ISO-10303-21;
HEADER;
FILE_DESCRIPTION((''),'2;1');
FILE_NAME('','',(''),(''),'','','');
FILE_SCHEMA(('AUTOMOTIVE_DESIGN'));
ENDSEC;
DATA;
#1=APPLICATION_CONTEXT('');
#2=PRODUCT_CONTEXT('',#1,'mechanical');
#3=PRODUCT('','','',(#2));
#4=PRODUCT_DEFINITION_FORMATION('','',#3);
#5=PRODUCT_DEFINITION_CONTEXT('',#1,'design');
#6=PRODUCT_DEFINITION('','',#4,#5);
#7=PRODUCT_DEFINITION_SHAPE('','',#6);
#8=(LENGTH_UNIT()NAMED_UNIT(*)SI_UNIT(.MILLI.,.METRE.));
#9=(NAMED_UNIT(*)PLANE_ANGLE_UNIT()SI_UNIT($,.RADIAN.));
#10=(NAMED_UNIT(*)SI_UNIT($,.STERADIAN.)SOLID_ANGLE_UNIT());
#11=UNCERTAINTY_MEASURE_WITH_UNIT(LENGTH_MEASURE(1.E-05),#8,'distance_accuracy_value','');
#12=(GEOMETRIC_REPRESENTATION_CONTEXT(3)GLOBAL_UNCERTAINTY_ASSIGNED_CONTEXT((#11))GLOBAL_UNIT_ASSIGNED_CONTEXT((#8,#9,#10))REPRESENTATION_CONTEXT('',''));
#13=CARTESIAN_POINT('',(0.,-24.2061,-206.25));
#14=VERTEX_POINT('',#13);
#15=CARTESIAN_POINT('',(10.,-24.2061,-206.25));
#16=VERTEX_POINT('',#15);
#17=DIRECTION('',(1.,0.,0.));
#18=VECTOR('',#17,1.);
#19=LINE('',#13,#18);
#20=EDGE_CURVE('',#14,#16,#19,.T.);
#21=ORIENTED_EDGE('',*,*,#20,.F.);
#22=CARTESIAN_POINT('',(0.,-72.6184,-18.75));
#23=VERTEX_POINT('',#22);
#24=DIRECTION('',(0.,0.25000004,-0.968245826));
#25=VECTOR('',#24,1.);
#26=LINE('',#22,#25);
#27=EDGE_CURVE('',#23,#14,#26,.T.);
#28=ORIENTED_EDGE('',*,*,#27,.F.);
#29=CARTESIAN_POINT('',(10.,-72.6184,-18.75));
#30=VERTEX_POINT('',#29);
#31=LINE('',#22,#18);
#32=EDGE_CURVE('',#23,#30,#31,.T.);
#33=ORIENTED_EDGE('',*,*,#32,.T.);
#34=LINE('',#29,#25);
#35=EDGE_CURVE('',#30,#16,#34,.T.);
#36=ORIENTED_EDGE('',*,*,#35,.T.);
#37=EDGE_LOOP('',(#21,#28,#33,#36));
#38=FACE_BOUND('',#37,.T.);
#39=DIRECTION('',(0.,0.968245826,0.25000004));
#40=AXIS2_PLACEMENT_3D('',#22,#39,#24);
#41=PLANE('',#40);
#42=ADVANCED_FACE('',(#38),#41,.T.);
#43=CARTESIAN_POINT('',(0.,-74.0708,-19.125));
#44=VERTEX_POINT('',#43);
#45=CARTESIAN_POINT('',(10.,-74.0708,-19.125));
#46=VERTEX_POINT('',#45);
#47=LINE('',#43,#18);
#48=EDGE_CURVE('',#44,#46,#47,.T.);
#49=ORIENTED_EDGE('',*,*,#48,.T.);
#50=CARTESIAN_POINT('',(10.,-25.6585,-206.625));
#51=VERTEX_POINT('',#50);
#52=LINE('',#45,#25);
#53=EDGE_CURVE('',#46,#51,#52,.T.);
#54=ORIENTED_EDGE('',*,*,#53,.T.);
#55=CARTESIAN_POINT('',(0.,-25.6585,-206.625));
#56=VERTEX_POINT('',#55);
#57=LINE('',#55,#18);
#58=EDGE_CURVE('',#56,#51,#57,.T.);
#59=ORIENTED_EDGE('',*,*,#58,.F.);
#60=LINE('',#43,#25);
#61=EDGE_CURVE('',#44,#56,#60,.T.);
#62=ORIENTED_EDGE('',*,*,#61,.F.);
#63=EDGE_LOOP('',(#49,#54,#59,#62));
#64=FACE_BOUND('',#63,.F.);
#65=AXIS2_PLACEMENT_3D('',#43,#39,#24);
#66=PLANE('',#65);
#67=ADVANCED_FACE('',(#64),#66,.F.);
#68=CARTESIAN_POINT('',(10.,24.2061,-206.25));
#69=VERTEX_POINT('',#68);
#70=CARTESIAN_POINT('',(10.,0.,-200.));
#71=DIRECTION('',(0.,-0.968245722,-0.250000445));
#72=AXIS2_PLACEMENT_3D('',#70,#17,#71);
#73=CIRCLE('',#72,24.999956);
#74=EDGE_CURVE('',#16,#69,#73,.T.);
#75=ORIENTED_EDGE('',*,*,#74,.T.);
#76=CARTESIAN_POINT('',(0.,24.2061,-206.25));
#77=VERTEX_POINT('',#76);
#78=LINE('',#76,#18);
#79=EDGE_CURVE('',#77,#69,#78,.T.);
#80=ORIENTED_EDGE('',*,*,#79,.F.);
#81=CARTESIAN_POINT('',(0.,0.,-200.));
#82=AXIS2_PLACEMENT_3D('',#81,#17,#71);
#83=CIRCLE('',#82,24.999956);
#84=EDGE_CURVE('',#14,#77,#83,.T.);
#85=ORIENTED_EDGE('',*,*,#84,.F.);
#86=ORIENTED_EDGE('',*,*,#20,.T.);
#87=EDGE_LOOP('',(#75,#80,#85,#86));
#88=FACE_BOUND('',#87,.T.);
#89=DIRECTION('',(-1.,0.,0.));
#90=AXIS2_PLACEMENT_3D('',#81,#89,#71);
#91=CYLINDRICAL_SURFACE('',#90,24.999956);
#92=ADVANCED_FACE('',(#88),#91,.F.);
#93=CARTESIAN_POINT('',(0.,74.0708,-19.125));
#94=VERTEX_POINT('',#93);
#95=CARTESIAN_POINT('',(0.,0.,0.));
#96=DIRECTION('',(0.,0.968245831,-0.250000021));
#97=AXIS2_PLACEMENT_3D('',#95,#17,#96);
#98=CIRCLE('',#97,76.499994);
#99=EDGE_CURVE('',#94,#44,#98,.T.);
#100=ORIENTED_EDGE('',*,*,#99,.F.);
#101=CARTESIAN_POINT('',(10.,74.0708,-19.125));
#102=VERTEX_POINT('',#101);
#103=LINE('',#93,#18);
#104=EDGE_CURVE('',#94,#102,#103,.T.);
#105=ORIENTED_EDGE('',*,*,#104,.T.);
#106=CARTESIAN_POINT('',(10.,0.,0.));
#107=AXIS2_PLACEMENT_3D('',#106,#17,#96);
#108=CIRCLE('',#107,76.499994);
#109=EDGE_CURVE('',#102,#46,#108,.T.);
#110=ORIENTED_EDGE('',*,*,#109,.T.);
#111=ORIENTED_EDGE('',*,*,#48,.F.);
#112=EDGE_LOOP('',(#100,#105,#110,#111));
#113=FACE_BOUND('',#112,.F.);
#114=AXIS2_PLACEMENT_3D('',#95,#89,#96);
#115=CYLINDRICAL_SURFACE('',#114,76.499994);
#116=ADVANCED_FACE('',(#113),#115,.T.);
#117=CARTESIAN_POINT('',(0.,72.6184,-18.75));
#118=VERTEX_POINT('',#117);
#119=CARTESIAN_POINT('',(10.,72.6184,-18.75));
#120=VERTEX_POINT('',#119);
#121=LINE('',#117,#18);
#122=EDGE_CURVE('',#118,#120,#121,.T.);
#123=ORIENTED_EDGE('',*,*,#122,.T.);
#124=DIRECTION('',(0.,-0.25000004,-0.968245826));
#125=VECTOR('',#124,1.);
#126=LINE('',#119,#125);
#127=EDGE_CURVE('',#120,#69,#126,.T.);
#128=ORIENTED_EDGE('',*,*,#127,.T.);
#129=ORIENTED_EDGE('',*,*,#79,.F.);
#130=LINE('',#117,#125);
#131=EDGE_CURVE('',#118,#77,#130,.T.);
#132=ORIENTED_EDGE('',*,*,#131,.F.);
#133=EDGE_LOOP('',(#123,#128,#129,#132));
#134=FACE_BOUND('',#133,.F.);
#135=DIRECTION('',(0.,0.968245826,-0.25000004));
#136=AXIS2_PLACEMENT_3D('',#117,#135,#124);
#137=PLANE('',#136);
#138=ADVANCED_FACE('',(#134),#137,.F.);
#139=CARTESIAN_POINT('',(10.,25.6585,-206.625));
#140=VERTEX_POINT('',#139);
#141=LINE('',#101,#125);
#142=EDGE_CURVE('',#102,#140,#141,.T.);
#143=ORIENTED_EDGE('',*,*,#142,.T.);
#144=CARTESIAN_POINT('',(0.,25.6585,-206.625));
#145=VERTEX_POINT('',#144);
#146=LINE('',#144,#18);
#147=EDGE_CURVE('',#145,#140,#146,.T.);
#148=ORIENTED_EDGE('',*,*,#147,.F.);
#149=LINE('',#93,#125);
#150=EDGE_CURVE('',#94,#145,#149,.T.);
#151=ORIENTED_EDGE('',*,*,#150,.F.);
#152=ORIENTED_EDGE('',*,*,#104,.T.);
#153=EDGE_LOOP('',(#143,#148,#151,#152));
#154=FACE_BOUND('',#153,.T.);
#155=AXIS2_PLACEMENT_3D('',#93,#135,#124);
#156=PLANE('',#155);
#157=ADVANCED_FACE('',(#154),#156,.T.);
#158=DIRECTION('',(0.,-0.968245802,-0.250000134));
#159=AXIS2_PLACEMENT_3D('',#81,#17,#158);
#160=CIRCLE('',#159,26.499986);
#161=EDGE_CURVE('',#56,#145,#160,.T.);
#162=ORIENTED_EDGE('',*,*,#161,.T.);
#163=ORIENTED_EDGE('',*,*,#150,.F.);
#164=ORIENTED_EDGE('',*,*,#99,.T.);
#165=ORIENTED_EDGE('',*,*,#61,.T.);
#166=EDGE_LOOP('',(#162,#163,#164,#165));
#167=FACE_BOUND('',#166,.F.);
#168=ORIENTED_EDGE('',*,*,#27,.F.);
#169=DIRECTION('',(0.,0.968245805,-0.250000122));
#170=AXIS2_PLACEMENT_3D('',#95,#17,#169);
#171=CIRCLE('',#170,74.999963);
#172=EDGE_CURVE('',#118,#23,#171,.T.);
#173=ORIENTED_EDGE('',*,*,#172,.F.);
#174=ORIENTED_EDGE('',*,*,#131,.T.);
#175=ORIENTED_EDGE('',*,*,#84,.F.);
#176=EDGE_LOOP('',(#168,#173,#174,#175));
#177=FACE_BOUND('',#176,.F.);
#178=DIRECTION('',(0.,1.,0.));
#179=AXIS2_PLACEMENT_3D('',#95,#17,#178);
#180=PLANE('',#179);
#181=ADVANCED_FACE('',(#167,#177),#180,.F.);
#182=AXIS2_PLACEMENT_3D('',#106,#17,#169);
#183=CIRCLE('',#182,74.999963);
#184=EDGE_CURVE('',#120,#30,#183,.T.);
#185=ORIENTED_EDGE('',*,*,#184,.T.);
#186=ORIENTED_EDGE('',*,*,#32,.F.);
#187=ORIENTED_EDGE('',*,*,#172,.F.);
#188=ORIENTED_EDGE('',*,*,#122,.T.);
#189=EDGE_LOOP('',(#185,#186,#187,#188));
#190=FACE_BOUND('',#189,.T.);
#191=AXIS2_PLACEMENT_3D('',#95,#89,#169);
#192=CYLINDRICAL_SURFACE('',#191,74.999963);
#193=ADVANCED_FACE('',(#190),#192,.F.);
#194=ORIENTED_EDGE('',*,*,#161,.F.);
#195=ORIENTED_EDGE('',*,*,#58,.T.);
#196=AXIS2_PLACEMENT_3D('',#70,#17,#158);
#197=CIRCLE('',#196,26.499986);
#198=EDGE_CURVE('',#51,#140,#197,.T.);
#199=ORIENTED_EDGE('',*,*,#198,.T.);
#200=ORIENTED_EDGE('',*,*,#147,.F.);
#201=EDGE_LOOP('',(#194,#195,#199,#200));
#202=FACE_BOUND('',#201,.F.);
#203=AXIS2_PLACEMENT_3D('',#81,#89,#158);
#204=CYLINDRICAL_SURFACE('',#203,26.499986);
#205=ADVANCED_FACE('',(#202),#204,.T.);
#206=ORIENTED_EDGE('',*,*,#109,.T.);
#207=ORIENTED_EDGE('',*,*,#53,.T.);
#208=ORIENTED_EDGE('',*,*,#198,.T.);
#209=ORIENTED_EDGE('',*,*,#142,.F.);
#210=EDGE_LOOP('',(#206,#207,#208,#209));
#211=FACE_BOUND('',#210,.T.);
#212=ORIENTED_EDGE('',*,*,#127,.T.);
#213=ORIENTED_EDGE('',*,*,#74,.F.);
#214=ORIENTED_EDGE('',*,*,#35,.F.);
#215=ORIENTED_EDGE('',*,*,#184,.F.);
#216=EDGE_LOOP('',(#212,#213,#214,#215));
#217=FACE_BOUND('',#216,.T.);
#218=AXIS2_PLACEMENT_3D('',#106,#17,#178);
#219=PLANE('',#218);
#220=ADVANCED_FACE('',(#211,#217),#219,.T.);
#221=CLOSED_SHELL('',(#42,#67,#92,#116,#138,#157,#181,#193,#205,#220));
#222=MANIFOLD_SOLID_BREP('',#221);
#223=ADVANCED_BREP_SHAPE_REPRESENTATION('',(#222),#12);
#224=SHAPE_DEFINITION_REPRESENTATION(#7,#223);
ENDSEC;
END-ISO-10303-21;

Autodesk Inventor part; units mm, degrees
ref_plane "YZ Plane" through (0, 0, 0) normal (1, 0, 0) x (0, 1, 0)
ref_plane "XZ Plane" through (0, 0, 0) normal (0, 1, 0) x (-1, 0, 0)
ref_plane "XY Plane" through (0, 0, 0) normal (0, 0, 1) x (1, 0, 0)
sketch "スケッチ1" plane through (0, 0, 0) normal (1, 0, 0) x (0, 1, 0)
  arc A0 (74.0708, -19.125) -> (-74.0708, -19.125) centre (0, 0) ccw
  arc A1 (-25.6585, -206.625) -> (25.6585, -206.625) centre (0, -200) ccw
  line L0 (74.0708, -19.125) -> (25.6585, -206.625)
  line L1 (-74.0708, -19.125) -> (-25.6585, -206.625)
  arc A2 (72.6184, -18.75) -> (-72.6184, -18.75) centre (0, 0) ccw
  arc A3 (-24.2061, -206.25) -> (24.2061, -206.25) centre (0, -200) ccw
  line L2 (-72.6184, -18.75) -> (-24.2061, -206.25)
  line L3 (72.6184, -18.75) -> (24.2061, -206.25)
  point P0 (26.5, -200)
  point P1 (-26.5, -200)
  point P2 (-26.5, -200)
  point P3 (25, -200)
  point P4 (-25, -200)
  point P5 (-62.2511, -58.9026)
  point P6 (-30.0666, -183.5524)
  dimension "d0" = 153
  dimension "d1" = 53
  dimension "d2" = 200
  dimension "d3" = 200
  dimension "d4" = 150
  dimension "d5" = 50
  dimension "d6" = 200
extrude "押し出し1" add sketch "スケッチ1" along normal blind 10
properties part number "射出_type1" material "ゴム"
